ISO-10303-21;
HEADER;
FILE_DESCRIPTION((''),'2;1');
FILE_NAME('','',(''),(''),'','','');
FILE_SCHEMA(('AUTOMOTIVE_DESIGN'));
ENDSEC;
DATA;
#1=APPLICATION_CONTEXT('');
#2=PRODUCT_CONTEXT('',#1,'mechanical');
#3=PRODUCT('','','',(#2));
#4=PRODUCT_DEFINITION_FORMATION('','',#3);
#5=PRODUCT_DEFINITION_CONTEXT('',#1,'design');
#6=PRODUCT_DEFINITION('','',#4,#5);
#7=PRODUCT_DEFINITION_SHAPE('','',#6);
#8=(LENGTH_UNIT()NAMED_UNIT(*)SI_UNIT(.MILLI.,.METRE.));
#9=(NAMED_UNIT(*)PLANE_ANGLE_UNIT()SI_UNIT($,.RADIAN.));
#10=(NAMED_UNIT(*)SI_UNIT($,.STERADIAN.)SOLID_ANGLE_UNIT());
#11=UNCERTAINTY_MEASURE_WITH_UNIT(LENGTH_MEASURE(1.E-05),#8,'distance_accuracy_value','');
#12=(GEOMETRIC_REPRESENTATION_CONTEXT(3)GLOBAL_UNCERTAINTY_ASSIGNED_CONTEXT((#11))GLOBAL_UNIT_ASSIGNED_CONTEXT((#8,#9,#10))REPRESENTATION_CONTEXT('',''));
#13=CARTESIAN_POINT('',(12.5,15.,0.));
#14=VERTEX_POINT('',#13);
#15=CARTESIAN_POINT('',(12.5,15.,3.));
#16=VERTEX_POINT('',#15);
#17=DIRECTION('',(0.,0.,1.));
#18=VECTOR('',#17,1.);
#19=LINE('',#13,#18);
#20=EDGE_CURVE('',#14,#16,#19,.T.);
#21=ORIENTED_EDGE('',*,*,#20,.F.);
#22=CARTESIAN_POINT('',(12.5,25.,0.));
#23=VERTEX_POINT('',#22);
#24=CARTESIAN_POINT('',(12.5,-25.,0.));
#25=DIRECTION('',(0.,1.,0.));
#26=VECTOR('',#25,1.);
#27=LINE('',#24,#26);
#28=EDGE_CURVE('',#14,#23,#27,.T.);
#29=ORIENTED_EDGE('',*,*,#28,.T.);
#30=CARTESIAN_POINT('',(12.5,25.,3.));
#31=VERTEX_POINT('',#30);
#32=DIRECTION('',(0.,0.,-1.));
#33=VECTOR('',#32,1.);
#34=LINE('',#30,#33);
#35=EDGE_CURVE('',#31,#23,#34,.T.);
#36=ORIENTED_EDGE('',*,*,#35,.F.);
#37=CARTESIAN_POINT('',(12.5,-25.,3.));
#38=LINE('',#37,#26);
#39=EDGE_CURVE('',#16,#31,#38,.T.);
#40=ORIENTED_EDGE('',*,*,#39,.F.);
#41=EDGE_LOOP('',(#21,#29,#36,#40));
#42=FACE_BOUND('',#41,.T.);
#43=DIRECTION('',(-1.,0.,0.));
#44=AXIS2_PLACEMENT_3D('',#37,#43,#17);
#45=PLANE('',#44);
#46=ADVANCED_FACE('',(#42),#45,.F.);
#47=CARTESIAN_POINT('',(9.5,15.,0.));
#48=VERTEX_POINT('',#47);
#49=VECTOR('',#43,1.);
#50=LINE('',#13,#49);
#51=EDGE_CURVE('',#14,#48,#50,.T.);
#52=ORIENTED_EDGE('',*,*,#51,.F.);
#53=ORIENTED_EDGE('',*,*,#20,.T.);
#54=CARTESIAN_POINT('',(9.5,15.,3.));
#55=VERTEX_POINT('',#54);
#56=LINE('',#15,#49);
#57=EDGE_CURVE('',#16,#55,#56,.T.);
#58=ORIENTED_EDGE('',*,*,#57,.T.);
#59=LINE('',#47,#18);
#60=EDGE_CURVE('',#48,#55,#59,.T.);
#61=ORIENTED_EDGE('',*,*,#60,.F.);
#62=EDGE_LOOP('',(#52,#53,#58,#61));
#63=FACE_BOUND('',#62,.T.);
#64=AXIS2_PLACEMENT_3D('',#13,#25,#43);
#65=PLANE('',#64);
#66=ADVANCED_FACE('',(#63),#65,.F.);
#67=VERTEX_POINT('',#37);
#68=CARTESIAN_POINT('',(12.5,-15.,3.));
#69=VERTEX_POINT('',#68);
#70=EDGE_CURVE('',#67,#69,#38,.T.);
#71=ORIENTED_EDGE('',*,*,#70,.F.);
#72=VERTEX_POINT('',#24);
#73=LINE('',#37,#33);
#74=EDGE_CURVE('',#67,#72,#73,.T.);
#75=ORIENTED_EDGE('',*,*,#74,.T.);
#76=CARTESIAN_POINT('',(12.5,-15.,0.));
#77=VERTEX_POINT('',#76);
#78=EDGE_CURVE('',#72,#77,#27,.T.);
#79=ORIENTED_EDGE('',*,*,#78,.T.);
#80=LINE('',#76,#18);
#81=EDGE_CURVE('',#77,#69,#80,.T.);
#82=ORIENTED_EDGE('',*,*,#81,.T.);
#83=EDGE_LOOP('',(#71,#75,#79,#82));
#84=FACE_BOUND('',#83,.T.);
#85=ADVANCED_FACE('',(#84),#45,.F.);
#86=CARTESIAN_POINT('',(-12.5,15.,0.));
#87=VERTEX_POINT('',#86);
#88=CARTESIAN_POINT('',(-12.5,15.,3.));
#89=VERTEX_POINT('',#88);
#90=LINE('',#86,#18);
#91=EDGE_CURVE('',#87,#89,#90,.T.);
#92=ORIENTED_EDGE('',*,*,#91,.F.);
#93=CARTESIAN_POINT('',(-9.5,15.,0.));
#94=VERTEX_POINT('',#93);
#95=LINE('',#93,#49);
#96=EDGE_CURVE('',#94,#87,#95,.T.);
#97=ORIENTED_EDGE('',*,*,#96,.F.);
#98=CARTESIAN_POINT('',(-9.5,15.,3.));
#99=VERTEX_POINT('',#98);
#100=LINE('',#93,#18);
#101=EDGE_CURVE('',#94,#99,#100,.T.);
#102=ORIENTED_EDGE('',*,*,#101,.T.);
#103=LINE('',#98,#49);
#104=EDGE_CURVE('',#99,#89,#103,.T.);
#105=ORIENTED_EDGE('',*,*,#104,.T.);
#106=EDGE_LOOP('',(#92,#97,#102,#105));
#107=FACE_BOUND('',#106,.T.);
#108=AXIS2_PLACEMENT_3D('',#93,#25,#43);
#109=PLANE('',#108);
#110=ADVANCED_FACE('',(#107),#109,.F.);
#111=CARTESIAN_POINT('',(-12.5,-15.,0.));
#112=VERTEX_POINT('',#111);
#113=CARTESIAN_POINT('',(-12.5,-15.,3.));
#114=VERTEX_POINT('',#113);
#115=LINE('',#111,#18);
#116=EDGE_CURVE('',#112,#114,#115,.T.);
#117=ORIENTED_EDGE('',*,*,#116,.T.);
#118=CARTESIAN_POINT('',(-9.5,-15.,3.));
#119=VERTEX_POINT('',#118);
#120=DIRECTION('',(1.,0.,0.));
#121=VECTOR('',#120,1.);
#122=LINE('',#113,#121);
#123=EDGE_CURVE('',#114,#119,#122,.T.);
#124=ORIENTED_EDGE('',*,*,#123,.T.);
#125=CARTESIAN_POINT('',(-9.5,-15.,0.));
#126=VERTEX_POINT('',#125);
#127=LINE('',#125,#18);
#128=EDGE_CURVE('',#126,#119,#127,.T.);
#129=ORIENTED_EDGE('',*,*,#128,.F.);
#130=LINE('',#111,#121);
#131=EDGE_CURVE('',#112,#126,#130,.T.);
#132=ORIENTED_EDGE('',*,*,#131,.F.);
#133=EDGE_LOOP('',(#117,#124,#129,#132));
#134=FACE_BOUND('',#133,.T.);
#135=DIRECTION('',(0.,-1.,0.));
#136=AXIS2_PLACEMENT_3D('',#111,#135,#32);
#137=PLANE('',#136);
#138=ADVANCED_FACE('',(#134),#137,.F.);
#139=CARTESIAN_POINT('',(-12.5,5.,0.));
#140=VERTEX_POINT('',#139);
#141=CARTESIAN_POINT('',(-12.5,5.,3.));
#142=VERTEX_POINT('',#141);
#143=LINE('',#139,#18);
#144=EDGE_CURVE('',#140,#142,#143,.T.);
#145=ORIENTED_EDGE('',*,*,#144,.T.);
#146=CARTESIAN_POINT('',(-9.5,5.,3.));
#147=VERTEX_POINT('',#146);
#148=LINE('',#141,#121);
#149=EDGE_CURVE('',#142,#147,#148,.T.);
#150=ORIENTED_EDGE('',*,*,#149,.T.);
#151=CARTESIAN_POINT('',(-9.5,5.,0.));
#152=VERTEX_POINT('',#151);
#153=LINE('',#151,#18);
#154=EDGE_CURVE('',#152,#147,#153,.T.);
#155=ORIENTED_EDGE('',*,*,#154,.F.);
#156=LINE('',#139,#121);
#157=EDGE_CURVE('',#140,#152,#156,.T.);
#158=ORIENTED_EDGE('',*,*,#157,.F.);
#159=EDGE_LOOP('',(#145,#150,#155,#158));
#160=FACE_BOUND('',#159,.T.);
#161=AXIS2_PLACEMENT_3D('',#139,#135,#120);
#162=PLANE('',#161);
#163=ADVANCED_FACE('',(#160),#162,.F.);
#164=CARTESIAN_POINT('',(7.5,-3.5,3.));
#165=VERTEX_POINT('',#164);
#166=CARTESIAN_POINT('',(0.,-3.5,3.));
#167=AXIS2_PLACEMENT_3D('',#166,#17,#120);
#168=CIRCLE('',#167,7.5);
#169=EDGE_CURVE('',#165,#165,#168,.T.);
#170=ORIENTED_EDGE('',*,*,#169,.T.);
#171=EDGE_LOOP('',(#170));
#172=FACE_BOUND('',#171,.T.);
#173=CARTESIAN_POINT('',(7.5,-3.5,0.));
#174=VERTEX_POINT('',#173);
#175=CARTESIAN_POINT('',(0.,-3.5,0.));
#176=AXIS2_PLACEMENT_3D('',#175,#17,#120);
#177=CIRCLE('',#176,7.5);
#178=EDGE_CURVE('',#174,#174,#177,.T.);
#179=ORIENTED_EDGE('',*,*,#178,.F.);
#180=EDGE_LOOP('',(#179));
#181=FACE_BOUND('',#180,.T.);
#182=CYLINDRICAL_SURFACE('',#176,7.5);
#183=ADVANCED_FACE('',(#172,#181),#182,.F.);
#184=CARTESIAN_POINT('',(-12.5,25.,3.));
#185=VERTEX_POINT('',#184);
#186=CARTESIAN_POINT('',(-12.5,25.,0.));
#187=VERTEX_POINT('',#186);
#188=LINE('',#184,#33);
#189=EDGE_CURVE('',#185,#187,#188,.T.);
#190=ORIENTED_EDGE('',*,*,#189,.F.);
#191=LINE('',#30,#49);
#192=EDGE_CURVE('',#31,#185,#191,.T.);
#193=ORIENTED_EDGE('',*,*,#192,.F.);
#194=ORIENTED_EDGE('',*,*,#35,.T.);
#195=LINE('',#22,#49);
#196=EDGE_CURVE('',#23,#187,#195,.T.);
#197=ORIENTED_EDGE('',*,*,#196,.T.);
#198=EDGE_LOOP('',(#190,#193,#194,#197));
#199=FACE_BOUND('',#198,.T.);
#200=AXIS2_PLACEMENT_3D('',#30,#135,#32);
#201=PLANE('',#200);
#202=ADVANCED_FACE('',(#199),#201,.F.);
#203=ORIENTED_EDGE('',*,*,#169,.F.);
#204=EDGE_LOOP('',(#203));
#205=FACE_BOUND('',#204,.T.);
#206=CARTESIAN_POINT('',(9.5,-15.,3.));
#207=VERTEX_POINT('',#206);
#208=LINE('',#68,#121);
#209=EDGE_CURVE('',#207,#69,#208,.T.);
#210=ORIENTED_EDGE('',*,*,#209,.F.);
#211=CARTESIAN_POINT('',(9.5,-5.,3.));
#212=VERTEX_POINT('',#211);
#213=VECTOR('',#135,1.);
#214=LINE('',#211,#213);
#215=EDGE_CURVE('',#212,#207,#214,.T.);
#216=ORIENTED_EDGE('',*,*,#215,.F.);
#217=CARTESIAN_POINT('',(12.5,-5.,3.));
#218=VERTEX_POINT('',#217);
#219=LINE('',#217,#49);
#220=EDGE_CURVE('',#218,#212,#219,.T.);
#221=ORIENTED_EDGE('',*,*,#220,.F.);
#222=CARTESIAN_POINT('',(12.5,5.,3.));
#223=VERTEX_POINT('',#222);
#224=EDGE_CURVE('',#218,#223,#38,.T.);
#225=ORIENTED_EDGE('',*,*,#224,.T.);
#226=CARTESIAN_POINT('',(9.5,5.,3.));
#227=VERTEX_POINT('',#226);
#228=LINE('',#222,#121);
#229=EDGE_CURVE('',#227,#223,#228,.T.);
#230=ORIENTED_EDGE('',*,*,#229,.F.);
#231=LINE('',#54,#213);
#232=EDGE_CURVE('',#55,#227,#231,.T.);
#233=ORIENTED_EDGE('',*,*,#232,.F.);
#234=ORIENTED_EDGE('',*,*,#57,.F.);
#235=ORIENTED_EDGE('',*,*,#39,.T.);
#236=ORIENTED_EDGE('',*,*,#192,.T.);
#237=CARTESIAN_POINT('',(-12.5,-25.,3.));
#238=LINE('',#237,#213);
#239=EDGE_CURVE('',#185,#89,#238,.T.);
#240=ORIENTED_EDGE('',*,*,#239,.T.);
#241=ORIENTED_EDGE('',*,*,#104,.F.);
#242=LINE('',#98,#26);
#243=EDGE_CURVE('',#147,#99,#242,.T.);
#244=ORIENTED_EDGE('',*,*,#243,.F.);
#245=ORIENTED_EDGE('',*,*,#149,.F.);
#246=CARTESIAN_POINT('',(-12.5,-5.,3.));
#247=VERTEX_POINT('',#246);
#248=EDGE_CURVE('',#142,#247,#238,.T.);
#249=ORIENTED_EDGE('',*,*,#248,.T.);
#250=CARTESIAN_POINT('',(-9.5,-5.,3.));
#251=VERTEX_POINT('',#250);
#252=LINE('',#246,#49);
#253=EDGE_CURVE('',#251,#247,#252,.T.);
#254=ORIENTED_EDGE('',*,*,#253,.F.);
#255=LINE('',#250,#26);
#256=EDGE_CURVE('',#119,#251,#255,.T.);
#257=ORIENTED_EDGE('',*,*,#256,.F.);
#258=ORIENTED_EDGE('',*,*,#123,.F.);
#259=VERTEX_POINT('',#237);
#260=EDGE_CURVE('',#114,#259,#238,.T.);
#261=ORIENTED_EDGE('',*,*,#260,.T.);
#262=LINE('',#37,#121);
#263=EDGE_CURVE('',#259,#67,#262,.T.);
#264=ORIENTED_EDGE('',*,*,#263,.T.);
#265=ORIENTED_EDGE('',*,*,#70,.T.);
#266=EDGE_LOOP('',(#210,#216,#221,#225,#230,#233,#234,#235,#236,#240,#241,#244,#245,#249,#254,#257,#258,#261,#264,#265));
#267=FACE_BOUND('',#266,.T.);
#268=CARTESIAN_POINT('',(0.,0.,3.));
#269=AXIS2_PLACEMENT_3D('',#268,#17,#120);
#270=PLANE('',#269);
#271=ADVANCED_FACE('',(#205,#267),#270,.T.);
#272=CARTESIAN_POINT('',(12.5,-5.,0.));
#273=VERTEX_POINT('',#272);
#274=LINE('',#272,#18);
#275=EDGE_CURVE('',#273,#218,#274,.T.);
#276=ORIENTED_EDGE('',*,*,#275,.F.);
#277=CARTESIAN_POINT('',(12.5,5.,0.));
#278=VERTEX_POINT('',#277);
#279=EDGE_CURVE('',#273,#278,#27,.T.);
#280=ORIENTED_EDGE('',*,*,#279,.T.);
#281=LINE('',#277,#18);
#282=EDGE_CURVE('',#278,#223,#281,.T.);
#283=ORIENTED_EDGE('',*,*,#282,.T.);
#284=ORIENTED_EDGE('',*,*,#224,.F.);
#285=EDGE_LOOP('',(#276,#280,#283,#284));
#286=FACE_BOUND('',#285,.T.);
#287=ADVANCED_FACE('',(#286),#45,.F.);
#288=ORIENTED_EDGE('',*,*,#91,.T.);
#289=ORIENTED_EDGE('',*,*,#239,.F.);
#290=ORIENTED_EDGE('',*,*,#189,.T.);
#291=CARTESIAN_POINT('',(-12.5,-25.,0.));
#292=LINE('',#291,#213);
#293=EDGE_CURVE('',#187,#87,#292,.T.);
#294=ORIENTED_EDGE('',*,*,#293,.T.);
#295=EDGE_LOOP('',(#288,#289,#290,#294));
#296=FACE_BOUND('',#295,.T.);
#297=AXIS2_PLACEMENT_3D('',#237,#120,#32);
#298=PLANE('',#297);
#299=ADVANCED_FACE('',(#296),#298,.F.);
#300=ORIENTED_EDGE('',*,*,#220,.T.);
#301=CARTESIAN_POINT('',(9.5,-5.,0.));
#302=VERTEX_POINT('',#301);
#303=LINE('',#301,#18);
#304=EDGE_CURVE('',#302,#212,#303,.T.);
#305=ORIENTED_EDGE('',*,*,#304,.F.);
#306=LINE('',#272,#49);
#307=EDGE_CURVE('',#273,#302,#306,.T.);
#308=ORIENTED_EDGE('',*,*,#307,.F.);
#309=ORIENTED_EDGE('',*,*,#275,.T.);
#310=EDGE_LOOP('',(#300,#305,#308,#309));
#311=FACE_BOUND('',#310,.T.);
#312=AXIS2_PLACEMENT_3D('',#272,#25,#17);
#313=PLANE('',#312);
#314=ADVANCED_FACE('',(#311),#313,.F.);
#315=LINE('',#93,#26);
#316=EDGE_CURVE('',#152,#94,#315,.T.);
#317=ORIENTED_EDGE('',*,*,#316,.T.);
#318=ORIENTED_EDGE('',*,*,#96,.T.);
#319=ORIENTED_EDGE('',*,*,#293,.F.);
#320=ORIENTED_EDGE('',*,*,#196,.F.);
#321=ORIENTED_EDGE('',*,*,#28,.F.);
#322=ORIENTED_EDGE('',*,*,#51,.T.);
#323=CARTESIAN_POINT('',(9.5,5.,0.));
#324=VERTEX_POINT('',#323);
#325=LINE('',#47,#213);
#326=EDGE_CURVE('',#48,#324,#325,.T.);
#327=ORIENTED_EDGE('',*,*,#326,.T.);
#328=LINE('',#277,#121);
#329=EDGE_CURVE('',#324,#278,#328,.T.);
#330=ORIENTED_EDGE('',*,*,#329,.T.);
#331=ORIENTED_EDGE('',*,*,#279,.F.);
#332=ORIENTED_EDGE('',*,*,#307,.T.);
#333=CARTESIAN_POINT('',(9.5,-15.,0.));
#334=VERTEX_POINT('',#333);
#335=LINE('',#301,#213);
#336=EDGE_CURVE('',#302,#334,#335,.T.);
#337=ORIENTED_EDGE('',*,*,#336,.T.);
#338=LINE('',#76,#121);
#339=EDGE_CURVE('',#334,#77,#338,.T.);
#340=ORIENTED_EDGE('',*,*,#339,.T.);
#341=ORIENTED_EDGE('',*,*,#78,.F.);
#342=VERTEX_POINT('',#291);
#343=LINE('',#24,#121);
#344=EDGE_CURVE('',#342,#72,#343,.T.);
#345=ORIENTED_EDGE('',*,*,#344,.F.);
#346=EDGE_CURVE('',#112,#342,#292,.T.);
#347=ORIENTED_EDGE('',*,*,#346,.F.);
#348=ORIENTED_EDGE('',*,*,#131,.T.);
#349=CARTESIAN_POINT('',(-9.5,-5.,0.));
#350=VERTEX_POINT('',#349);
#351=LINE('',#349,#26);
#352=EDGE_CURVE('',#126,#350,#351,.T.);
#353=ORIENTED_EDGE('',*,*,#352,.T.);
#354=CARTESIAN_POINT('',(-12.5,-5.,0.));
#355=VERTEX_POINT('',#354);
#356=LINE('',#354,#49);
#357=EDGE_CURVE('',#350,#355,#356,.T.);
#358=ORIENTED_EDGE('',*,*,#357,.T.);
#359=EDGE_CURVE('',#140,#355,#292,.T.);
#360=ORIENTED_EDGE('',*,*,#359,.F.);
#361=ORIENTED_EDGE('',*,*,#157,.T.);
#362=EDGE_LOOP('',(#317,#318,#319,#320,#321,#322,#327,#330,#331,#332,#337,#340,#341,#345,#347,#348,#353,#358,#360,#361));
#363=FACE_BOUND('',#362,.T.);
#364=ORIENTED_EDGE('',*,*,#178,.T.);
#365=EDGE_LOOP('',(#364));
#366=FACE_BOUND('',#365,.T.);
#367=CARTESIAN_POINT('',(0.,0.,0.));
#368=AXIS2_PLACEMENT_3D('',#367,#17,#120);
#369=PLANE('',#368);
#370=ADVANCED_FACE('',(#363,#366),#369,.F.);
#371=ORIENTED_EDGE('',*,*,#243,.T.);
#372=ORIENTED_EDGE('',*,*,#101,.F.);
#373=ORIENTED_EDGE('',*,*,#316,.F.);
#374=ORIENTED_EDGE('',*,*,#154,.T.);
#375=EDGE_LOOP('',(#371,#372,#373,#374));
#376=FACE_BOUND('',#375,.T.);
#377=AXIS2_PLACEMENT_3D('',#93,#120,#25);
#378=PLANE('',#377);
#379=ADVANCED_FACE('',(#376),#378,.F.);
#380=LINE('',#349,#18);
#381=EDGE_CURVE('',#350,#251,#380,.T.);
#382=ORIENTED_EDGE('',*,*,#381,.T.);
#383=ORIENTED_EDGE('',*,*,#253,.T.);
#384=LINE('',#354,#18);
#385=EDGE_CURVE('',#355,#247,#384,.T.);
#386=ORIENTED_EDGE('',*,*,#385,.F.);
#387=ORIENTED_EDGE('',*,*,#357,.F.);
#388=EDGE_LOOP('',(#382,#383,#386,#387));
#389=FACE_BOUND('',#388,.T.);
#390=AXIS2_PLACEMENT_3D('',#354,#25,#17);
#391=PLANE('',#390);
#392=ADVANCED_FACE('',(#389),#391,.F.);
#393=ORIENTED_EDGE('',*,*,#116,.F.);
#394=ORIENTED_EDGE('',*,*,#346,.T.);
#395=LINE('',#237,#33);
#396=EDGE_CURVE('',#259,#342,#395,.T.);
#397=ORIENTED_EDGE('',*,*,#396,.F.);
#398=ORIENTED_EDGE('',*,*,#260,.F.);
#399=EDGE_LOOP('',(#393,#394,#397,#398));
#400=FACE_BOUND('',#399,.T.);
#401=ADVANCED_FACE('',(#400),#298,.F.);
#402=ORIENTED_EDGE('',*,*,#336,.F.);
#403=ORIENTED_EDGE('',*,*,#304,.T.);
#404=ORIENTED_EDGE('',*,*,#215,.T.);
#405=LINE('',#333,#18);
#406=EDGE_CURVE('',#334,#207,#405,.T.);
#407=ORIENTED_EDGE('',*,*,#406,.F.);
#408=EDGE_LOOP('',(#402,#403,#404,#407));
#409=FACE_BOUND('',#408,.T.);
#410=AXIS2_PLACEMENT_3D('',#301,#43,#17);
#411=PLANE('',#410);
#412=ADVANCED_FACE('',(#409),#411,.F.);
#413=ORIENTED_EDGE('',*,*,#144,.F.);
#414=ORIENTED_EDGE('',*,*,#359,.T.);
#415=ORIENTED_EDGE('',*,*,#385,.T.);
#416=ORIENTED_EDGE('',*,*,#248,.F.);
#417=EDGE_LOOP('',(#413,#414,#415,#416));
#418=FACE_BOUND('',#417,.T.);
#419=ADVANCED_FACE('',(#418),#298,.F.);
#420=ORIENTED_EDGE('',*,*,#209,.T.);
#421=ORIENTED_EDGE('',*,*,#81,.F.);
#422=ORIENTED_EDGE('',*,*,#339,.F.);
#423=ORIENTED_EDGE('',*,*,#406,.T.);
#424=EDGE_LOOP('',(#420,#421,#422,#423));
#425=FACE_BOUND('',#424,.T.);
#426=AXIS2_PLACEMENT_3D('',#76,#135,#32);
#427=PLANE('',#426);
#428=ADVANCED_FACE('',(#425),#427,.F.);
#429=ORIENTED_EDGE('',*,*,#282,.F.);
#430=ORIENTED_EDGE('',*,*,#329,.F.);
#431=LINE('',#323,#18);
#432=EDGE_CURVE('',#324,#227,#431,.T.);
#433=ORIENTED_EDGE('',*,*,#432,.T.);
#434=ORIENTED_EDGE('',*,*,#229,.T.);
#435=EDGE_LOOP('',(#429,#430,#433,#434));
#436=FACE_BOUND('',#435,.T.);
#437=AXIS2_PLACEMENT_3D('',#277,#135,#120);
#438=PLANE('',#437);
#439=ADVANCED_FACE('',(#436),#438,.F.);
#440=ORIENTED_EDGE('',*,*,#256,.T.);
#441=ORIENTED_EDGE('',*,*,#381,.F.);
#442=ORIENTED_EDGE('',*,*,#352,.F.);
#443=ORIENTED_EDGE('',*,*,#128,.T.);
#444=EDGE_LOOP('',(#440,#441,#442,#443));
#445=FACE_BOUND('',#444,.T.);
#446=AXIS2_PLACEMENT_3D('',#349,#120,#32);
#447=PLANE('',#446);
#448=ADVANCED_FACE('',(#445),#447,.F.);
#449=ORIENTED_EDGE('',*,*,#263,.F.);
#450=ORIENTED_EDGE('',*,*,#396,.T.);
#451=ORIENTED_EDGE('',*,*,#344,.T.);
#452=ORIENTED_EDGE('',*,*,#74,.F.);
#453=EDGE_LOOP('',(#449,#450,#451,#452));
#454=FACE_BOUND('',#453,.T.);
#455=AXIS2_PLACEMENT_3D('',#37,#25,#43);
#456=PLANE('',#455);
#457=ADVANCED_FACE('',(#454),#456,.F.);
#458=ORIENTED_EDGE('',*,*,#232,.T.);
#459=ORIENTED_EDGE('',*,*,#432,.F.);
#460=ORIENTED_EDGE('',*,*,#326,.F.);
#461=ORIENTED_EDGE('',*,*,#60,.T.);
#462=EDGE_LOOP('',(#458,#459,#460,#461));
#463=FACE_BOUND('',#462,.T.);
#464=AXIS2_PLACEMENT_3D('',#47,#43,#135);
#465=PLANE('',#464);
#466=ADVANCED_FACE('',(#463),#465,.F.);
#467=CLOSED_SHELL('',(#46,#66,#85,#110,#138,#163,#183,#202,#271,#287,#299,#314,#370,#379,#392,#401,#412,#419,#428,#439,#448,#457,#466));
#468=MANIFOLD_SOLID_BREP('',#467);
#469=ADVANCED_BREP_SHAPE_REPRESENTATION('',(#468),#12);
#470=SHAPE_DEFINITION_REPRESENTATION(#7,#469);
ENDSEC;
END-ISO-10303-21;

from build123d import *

# Parameters (mm, degrees)
SKETCH1_W           = 25
SKETCH1_H           = 50
BOSS_EXTRUDE1_DEPTH = 3
SKETCH2_R           = 7.5
SKETCH2_W           = 3
SKETCH2_H           = 10
CUT_EXTRUDE1_DEPTH  = 4


with BuildPart() as part:
    # Sketch1 → Boss-Extrude1 (new body)
    with BuildSketch(Plane.XY):
        Rectangle(SKETCH1_W, SKETCH1_H)
    extrude(amount=BOSS_EXTRUDE1_DEPTH)

    # Sketch2 → Cut-Extrude1 (cut, through all)
    with BuildSketch(Plane.XY.offset(3)):
        with Locations((0, -3.5)):
            Circle(SKETCH2_R)
        with Locations((11, 10)):
            Rectangle(SKETCH2_W, SKETCH2_H)
        with Locations((11, -10)):
            Rectangle(SKETCH2_W, SKETCH2_H)
        with Locations((-11, -10)):
            Rectangle(SKETCH2_W, SKETCH2_H)
        with Locations((-11, 10)):
            Rectangle(SKETCH2_W, SKETCH2_H)
    extrude(amount=-CUT_EXTRUDE1_DEPTH, mode=Mode.SUBTRACT)


solid = part.part
